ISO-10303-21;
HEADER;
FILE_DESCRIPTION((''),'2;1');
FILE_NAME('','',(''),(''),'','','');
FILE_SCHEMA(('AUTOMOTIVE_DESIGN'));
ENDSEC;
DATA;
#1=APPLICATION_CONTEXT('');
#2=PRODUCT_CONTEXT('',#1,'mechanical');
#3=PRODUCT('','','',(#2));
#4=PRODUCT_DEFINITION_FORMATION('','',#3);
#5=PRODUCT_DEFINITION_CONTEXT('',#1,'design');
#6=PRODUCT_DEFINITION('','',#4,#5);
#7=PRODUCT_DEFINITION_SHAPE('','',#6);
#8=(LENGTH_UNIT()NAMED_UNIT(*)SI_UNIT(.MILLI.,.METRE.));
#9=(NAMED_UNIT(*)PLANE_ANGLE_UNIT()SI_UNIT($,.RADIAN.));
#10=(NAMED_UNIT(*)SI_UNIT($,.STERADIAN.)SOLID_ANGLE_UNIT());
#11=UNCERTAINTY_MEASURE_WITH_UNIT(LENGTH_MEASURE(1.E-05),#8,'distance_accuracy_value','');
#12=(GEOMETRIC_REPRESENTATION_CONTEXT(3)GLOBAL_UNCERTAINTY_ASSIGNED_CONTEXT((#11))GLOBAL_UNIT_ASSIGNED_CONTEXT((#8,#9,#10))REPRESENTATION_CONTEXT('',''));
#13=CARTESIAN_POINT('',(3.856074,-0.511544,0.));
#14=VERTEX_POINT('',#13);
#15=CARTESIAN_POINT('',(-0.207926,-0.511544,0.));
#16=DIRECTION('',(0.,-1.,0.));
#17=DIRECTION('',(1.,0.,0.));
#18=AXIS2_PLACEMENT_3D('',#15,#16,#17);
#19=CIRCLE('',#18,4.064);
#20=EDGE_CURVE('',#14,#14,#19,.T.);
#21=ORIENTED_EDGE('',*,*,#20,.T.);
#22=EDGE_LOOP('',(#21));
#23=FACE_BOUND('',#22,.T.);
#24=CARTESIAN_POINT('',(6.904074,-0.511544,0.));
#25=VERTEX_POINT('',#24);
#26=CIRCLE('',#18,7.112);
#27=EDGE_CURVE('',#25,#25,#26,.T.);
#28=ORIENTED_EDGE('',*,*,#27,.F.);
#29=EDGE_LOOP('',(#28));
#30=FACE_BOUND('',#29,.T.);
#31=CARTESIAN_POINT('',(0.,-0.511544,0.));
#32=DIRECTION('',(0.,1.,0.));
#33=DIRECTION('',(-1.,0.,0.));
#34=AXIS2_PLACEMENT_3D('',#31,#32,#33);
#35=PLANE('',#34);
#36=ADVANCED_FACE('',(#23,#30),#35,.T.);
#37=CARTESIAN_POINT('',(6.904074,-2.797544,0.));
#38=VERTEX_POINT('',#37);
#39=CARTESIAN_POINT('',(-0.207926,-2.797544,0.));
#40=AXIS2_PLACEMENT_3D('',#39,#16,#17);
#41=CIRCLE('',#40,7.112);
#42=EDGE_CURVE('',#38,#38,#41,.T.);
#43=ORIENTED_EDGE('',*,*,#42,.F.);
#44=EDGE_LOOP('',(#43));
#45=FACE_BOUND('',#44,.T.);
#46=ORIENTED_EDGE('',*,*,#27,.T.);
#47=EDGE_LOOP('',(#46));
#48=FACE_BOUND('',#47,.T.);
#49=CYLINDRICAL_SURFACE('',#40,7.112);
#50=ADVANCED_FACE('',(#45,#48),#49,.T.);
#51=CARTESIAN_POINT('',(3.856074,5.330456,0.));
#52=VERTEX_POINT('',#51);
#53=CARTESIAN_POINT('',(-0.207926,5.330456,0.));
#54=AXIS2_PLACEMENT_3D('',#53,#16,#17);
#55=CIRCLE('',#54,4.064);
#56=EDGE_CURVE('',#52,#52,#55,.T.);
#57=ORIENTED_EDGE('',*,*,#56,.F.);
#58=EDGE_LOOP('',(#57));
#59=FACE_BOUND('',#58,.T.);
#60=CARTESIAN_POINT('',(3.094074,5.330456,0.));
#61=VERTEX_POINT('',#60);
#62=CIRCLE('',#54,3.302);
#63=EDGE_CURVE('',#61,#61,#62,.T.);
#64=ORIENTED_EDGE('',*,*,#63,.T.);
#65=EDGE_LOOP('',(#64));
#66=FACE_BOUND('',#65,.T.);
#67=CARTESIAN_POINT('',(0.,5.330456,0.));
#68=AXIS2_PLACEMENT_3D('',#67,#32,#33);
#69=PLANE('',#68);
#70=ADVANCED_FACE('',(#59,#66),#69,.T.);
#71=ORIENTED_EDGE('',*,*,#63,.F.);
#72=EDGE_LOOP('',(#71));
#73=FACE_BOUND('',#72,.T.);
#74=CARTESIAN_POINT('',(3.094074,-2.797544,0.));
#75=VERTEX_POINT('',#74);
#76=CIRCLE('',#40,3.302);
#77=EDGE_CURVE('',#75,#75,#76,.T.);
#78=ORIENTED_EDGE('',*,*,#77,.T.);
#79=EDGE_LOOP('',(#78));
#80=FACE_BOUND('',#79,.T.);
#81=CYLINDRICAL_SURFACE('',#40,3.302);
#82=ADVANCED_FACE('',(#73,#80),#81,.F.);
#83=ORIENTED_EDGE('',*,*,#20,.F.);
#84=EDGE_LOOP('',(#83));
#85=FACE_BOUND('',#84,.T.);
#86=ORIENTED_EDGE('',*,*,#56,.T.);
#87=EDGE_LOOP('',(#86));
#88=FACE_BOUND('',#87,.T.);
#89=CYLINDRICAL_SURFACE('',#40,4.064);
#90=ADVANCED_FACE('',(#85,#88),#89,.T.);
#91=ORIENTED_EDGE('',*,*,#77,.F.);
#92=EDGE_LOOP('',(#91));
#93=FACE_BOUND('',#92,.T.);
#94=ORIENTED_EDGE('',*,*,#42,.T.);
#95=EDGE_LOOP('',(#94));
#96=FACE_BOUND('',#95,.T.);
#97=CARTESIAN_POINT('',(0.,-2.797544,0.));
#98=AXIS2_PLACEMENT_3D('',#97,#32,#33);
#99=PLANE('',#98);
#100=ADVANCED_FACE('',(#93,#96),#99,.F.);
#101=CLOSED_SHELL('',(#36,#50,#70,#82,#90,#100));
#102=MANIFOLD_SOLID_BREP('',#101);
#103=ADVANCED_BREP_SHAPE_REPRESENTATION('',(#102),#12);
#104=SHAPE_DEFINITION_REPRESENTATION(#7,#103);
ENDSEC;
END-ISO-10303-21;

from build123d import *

# Parameters (mm, degrees)
SKETCH1_W   = 3.048
SKETCH1_H   = 2.286
SKETCH1_W_2 = 0.762
SKETCH1_H_2 = 5.842


with BuildPart() as part:
    # Sketch1 → Revolve2 (revolve)
    with BuildSketch(Plane.XY, mode=Mode.PRIVATE) as revolve2_sk:
        with Locations((-5.795925581, -1.654544186)):
            Rectangle(SKETCH1_W, SKETCH1_H)
        with Locations((-3.890925581, -1.654544186)):
            Rectangle(SKETCH1_W_2, SKETCH1_H)
        with Locations((-3.890925581, 2.409455814)):
            Rectangle(SKETCH1_W_2, SKETCH1_H_2)
    revolve(revolve2_sk.sketch.rotate(Axis((-0.207925581, -2.797544186, 0), (0, 1, 0)), 180), axis=Axis((-0.207925581, -2.797544186, 0), (0, 1, 0)))


solid = part.part
